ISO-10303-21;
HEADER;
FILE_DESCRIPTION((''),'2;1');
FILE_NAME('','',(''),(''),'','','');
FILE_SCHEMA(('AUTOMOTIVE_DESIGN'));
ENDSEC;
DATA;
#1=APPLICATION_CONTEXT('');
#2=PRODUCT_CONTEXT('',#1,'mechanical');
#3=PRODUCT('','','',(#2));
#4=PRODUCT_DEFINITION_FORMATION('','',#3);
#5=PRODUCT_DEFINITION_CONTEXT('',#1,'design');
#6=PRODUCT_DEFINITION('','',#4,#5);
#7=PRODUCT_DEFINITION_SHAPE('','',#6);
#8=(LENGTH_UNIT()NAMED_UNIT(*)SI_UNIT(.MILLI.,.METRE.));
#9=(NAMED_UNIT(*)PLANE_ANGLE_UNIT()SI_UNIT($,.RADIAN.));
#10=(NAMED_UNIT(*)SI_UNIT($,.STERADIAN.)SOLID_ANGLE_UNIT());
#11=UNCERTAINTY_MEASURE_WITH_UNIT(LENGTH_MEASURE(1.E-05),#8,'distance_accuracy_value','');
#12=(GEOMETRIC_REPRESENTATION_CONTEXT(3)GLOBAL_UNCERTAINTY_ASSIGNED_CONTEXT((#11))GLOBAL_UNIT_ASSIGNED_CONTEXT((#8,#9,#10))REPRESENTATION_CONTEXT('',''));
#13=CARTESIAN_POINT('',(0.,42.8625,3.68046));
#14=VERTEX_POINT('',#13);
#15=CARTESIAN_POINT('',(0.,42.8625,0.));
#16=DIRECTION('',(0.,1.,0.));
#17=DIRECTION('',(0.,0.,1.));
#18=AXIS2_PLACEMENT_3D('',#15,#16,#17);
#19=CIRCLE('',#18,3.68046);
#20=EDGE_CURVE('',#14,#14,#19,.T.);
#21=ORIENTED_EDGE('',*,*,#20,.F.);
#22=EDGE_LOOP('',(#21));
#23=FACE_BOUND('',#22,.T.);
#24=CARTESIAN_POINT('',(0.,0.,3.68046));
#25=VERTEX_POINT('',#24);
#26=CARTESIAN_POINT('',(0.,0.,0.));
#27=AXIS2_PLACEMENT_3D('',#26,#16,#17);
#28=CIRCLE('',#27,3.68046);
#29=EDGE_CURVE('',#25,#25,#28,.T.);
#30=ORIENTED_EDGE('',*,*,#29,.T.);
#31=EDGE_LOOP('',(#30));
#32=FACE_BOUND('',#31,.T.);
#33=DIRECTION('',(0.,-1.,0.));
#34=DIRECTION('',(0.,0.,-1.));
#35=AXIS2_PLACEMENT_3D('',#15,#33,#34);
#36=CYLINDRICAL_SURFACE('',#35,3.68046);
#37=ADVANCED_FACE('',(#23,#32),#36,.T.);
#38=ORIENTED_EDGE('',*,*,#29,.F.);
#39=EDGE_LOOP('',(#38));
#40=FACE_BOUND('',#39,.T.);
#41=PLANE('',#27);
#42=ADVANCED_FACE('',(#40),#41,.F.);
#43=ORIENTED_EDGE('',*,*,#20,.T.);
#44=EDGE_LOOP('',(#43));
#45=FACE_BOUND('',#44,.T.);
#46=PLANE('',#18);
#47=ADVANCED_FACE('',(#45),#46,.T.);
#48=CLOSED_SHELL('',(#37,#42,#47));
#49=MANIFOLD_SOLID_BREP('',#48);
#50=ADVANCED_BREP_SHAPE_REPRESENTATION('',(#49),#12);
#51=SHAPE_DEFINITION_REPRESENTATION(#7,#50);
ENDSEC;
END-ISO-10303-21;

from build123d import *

# Parameters (mm, degrees)
SKETCH1_R           = 3.68046
BOSS_EXTRUDE1_DEPTH = 42.8625


with BuildPart() as part:
    # Sketch1 → Boss-Extrude1 (new body)
    with BuildSketch(Plane(origin=(0, 0, 0), x_dir=(1, 0, 0), z_dir=(0, 1, 0))):
        Circle(SKETCH1_R)
    extrude(amount=BOSS_EXTRUDE1_DEPTH)


solid = part.part
